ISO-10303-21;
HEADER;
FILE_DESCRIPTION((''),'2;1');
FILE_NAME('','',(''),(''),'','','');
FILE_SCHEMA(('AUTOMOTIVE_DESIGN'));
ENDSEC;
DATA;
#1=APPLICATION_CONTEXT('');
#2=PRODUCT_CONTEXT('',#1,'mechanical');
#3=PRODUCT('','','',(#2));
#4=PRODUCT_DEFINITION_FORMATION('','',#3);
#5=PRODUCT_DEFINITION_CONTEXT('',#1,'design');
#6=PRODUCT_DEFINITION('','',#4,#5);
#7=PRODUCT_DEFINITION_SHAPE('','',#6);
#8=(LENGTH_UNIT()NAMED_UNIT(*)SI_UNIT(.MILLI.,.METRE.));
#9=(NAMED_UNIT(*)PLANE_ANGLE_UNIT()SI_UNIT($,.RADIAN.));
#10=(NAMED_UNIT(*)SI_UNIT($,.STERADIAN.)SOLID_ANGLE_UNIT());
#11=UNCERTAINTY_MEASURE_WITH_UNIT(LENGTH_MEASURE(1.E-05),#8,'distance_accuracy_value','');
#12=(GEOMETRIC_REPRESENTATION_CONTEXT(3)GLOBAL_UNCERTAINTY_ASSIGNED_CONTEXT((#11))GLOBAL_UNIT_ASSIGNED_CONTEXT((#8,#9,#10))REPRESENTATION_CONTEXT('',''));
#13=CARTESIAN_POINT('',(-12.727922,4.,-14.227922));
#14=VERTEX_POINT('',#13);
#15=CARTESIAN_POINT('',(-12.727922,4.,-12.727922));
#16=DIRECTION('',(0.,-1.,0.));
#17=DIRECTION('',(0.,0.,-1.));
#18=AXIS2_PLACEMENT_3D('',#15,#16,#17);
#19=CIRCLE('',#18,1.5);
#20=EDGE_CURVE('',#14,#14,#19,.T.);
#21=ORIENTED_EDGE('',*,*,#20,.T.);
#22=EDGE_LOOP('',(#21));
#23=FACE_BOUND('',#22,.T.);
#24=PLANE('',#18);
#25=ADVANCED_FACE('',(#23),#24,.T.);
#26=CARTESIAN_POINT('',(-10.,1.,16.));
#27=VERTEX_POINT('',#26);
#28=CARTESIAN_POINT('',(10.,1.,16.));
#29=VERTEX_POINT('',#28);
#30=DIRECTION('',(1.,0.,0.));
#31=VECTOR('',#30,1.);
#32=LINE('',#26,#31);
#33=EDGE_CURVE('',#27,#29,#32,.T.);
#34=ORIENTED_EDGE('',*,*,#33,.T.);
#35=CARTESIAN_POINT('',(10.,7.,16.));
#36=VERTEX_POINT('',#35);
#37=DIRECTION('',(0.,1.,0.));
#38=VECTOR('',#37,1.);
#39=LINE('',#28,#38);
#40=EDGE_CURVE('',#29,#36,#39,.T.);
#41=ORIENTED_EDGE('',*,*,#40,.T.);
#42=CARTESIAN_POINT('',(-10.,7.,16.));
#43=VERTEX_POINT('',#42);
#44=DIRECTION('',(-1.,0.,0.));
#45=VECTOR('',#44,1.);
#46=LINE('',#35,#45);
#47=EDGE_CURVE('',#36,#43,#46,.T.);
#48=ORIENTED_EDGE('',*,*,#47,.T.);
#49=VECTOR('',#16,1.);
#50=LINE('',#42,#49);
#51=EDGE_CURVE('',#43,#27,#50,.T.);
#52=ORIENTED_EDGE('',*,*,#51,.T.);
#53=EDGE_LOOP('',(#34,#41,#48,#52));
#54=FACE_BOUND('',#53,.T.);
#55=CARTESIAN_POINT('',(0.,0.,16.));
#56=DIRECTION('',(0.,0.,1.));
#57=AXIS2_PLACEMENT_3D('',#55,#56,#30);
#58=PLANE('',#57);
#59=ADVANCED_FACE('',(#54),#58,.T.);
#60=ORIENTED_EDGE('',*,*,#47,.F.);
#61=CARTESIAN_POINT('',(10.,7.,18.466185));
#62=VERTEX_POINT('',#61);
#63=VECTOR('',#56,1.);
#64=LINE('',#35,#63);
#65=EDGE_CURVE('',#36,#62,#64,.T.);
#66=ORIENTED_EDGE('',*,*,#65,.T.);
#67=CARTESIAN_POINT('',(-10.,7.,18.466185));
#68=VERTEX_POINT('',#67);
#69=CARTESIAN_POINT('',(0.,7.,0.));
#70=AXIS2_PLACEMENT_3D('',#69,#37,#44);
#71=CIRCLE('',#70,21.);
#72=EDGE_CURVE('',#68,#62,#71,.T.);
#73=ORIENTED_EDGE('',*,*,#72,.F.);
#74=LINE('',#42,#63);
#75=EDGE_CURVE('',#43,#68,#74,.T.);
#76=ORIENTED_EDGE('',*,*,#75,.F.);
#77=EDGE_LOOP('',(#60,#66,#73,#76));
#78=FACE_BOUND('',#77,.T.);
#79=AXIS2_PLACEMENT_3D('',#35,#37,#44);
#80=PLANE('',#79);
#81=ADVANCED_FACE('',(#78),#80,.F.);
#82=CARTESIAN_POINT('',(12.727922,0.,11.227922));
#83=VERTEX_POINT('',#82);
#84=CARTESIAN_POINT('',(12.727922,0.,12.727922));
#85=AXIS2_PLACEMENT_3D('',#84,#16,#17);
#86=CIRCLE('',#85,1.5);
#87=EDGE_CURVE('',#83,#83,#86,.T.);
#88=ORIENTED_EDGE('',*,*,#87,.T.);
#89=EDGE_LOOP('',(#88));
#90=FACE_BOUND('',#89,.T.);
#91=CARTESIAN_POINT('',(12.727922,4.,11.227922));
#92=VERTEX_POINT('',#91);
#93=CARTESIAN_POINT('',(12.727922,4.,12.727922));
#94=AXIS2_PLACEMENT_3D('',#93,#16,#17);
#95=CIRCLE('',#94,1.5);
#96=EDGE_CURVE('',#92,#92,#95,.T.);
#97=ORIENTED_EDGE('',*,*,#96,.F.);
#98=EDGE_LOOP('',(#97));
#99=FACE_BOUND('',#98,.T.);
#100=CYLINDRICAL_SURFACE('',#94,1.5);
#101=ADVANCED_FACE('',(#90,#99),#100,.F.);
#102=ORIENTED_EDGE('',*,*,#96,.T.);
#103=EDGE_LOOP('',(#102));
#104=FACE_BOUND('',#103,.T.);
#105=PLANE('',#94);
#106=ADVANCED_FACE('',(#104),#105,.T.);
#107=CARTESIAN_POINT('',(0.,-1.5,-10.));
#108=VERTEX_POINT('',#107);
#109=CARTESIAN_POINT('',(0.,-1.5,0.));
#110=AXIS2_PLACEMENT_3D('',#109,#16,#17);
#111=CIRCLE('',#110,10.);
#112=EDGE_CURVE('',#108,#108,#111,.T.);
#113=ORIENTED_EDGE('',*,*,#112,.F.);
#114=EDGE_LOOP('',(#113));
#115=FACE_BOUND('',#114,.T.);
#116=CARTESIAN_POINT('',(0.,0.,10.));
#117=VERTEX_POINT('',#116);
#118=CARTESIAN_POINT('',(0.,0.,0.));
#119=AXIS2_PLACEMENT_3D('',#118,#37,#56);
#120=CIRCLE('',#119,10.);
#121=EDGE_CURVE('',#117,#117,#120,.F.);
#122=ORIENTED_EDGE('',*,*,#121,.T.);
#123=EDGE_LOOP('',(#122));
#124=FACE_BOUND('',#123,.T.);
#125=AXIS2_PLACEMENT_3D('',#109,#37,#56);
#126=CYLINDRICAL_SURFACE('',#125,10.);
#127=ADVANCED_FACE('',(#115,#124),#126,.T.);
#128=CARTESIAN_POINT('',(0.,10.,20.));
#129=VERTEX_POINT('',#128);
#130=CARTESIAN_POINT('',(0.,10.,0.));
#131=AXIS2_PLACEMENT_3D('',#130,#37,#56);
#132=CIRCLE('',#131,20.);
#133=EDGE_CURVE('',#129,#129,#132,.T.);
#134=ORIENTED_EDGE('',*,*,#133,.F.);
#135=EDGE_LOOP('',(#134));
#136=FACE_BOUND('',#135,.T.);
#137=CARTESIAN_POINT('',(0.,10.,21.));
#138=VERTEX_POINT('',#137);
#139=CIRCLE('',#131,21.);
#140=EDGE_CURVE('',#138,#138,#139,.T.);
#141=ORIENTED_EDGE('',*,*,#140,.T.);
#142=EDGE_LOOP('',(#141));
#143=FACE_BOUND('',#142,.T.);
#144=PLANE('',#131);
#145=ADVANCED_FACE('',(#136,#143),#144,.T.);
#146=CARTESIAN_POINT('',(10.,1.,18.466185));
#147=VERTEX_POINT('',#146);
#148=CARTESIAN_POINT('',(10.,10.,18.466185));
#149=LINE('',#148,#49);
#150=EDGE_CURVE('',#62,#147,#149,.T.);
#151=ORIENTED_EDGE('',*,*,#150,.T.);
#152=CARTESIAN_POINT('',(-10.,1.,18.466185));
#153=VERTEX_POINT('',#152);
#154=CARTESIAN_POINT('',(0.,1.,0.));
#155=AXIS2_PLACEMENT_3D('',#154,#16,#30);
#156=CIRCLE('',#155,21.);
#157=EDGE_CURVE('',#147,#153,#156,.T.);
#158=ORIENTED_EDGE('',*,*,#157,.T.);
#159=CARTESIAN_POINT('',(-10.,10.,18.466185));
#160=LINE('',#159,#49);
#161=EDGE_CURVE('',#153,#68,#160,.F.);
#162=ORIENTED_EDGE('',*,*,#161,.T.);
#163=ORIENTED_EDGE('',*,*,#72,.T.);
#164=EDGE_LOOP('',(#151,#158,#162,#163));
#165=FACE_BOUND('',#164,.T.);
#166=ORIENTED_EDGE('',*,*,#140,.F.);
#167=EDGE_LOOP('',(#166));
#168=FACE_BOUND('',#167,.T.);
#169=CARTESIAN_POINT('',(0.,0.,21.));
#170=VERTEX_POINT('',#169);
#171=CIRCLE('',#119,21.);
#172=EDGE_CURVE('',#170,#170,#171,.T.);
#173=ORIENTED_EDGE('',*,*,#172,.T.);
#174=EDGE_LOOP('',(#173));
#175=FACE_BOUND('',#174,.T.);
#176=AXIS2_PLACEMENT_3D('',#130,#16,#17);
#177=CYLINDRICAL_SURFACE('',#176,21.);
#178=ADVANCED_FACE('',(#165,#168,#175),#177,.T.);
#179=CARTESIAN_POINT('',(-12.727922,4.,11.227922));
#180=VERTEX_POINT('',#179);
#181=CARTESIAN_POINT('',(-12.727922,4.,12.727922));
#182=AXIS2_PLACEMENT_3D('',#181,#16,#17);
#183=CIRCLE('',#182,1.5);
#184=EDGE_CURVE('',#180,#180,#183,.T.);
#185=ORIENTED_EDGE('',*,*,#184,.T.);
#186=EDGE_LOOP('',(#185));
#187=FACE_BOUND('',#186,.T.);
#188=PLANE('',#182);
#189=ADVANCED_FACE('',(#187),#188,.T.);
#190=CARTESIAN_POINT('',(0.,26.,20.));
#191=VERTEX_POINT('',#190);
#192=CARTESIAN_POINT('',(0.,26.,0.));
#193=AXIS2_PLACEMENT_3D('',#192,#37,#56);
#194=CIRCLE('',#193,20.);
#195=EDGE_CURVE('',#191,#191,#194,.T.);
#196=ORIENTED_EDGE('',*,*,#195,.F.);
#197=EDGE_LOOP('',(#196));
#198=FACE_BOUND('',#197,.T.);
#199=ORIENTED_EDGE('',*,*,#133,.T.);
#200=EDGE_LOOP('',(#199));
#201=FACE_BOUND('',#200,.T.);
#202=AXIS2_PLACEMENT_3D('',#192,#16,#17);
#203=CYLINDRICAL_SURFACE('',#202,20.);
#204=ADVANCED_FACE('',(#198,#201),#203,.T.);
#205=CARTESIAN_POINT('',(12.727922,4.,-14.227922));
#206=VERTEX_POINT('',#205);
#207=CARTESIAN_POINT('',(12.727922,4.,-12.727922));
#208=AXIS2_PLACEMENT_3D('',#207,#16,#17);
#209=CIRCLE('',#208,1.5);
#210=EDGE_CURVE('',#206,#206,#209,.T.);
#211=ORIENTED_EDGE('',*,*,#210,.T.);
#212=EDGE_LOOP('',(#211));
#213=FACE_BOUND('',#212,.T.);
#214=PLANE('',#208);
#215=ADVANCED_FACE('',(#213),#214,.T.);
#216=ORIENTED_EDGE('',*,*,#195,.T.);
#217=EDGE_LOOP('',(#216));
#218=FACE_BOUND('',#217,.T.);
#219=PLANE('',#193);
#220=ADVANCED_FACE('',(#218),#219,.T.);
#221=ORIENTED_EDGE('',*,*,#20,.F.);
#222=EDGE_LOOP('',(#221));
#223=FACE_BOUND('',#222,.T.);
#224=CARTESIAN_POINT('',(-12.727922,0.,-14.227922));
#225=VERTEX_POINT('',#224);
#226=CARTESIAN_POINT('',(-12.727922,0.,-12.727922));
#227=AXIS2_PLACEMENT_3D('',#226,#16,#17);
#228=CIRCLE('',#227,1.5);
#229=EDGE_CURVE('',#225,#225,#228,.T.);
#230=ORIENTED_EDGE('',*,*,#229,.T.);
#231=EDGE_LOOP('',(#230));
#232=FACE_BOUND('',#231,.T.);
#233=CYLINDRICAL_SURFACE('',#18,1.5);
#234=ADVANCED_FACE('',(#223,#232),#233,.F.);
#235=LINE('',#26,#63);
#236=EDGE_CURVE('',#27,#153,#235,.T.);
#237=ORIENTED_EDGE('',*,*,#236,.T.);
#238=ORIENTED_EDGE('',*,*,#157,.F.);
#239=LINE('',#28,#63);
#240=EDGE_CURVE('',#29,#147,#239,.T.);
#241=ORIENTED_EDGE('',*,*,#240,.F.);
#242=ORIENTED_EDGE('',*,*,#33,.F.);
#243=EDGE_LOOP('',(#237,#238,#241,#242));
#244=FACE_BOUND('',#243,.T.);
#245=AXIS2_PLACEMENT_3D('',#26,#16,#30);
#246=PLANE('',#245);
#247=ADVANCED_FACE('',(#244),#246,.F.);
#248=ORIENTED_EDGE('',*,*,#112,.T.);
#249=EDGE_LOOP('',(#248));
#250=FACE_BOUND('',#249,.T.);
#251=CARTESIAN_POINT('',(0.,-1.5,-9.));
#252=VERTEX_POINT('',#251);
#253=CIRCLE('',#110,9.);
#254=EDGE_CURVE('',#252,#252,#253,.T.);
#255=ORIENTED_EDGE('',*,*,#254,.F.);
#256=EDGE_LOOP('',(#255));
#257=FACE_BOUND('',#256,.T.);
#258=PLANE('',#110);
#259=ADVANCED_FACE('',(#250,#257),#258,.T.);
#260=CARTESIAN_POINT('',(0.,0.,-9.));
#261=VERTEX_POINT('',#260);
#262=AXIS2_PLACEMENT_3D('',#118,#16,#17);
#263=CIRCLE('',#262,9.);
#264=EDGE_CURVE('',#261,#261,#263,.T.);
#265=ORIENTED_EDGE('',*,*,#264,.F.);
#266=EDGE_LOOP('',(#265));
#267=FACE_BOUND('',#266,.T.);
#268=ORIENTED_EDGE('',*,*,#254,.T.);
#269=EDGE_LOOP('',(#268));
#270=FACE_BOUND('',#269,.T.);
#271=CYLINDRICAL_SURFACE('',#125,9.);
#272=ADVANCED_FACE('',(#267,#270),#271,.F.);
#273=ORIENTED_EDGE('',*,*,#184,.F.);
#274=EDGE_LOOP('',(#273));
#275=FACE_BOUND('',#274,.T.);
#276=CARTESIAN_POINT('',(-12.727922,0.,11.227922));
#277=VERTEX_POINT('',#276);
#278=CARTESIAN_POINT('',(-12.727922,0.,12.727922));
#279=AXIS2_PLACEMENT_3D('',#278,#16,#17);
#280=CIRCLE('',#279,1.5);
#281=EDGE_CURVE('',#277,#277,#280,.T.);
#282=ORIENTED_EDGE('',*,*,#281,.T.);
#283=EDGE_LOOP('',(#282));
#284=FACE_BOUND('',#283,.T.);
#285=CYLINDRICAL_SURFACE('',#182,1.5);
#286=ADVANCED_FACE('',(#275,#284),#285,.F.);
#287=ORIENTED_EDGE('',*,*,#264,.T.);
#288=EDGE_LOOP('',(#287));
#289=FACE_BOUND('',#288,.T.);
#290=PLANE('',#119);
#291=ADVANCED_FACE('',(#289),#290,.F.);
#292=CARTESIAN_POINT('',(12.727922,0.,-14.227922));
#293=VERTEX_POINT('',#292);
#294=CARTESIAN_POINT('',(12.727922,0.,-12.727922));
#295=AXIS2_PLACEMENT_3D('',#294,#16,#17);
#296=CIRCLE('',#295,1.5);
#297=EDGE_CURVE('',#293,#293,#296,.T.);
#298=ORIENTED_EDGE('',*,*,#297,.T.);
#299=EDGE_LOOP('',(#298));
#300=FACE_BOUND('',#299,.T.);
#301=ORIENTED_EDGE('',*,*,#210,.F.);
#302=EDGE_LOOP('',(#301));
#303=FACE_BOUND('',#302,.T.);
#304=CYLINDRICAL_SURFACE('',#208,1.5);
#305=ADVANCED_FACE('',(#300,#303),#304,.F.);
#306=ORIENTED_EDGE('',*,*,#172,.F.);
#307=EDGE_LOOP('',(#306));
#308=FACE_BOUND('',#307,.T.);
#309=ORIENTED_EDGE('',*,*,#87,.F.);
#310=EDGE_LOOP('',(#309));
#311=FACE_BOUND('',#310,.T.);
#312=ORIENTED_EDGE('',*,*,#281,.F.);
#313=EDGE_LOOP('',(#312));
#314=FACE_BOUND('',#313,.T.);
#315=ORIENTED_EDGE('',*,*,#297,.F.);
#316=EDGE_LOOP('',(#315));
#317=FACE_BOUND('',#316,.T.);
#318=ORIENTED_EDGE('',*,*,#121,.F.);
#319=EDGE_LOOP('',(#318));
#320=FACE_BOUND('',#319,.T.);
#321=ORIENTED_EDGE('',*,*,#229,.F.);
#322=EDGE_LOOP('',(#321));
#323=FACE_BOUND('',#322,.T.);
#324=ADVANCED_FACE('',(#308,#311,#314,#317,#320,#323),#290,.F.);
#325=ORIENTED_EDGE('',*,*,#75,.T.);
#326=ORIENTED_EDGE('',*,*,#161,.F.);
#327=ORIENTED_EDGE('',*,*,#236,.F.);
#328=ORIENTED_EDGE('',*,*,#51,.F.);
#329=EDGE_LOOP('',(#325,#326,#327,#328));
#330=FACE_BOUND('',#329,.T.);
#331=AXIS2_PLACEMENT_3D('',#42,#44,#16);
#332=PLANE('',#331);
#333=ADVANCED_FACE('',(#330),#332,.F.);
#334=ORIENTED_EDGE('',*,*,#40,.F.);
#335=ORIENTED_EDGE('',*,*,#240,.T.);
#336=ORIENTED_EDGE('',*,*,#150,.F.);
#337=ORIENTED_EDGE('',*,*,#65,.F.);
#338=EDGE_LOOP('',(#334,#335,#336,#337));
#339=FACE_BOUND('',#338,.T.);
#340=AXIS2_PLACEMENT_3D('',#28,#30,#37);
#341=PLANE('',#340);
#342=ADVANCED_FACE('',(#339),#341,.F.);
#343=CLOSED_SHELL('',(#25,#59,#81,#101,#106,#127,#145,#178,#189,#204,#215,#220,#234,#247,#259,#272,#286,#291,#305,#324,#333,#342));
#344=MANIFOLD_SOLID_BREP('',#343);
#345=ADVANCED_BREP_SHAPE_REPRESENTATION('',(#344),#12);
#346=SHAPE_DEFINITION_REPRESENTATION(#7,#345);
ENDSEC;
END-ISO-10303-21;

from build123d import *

# Parameters (mm, degrees)
SKETCH_1_R          = 21
EXTRUDE_1_DEPTH     = 10
SKETCH_4_R          = 20
EXTRUDE_3_DEPTH     = 16
SKETCH_6_R          = 1.5
CUT_EXTRUDE_1_DEPTH = 4
SKETCH_7_R          = 10
SKETCH_7_R_2        = 9
EXTRUDE_4_DEPTH     = 1.5
SKETCH_8_W          = 20
SKETCH_8_H          = 6
CUT_EXTRUDE_2_DEPTH = 5


with BuildPart() as part:
    # 草图1 → 凸台-拉伸1 (new body)
    with BuildSketch(Plane(origin=(0, 0, 0), x_dir=(1, 0, 0), z_dir=(0, 1, 0))):
        Circle(SKETCH_1_R)
    extrude(amount=EXTRUDE_1_DEPTH)

    # 草图4 → 凸台-拉伸3 (add)
    with BuildSketch(Plane(origin=(0, 10, 0), x_dir=(1, 0, 0), z_dir=(0, 1, 0))):
        Circle(SKETCH_4_R)
    extrude(amount=EXTRUDE_3_DEPTH)

    # 草图6 → 切除-拉伸1 (cut)
    with BuildSketch(Plane.XZ):
        with Locations((12.727922061, 12.727922061)):
            Circle(SKETCH_6_R)
        with Locations((12.727922061, -12.727922061)):
            Circle(SKETCH_6_R)
        with Locations((-12.727922061, -12.727922061)):
            Circle(SKETCH_6_R)
        with Locations((-12.727922061, 12.727922061)):
            Circle(SKETCH_6_R)
    extrude(amount=-CUT_EXTRUDE_1_DEPTH, mode=Mode.SUBTRACT)

    # 草图7 → 凸台-拉伸4 (add)
    with BuildSketch(Plane.XZ):
        Circle(SKETCH_7_R)
        Circle(SKETCH_7_R_2, mode=Mode.SUBTRACT)
    extrude(amount=EXTRUDE_4_DEPTH)

    # 草图8 → 切除-拉伸2 (cut)
    with BuildSketch(Plane.XY.offset(21)):
        with Locations((0, 4)):
            Rectangle(SKETCH_8_W, SKETCH_8_H)
    extrude(amount=-CUT_EXTRUDE_2_DEPTH, mode=Mode.SUBTRACT)


solid = part.part
